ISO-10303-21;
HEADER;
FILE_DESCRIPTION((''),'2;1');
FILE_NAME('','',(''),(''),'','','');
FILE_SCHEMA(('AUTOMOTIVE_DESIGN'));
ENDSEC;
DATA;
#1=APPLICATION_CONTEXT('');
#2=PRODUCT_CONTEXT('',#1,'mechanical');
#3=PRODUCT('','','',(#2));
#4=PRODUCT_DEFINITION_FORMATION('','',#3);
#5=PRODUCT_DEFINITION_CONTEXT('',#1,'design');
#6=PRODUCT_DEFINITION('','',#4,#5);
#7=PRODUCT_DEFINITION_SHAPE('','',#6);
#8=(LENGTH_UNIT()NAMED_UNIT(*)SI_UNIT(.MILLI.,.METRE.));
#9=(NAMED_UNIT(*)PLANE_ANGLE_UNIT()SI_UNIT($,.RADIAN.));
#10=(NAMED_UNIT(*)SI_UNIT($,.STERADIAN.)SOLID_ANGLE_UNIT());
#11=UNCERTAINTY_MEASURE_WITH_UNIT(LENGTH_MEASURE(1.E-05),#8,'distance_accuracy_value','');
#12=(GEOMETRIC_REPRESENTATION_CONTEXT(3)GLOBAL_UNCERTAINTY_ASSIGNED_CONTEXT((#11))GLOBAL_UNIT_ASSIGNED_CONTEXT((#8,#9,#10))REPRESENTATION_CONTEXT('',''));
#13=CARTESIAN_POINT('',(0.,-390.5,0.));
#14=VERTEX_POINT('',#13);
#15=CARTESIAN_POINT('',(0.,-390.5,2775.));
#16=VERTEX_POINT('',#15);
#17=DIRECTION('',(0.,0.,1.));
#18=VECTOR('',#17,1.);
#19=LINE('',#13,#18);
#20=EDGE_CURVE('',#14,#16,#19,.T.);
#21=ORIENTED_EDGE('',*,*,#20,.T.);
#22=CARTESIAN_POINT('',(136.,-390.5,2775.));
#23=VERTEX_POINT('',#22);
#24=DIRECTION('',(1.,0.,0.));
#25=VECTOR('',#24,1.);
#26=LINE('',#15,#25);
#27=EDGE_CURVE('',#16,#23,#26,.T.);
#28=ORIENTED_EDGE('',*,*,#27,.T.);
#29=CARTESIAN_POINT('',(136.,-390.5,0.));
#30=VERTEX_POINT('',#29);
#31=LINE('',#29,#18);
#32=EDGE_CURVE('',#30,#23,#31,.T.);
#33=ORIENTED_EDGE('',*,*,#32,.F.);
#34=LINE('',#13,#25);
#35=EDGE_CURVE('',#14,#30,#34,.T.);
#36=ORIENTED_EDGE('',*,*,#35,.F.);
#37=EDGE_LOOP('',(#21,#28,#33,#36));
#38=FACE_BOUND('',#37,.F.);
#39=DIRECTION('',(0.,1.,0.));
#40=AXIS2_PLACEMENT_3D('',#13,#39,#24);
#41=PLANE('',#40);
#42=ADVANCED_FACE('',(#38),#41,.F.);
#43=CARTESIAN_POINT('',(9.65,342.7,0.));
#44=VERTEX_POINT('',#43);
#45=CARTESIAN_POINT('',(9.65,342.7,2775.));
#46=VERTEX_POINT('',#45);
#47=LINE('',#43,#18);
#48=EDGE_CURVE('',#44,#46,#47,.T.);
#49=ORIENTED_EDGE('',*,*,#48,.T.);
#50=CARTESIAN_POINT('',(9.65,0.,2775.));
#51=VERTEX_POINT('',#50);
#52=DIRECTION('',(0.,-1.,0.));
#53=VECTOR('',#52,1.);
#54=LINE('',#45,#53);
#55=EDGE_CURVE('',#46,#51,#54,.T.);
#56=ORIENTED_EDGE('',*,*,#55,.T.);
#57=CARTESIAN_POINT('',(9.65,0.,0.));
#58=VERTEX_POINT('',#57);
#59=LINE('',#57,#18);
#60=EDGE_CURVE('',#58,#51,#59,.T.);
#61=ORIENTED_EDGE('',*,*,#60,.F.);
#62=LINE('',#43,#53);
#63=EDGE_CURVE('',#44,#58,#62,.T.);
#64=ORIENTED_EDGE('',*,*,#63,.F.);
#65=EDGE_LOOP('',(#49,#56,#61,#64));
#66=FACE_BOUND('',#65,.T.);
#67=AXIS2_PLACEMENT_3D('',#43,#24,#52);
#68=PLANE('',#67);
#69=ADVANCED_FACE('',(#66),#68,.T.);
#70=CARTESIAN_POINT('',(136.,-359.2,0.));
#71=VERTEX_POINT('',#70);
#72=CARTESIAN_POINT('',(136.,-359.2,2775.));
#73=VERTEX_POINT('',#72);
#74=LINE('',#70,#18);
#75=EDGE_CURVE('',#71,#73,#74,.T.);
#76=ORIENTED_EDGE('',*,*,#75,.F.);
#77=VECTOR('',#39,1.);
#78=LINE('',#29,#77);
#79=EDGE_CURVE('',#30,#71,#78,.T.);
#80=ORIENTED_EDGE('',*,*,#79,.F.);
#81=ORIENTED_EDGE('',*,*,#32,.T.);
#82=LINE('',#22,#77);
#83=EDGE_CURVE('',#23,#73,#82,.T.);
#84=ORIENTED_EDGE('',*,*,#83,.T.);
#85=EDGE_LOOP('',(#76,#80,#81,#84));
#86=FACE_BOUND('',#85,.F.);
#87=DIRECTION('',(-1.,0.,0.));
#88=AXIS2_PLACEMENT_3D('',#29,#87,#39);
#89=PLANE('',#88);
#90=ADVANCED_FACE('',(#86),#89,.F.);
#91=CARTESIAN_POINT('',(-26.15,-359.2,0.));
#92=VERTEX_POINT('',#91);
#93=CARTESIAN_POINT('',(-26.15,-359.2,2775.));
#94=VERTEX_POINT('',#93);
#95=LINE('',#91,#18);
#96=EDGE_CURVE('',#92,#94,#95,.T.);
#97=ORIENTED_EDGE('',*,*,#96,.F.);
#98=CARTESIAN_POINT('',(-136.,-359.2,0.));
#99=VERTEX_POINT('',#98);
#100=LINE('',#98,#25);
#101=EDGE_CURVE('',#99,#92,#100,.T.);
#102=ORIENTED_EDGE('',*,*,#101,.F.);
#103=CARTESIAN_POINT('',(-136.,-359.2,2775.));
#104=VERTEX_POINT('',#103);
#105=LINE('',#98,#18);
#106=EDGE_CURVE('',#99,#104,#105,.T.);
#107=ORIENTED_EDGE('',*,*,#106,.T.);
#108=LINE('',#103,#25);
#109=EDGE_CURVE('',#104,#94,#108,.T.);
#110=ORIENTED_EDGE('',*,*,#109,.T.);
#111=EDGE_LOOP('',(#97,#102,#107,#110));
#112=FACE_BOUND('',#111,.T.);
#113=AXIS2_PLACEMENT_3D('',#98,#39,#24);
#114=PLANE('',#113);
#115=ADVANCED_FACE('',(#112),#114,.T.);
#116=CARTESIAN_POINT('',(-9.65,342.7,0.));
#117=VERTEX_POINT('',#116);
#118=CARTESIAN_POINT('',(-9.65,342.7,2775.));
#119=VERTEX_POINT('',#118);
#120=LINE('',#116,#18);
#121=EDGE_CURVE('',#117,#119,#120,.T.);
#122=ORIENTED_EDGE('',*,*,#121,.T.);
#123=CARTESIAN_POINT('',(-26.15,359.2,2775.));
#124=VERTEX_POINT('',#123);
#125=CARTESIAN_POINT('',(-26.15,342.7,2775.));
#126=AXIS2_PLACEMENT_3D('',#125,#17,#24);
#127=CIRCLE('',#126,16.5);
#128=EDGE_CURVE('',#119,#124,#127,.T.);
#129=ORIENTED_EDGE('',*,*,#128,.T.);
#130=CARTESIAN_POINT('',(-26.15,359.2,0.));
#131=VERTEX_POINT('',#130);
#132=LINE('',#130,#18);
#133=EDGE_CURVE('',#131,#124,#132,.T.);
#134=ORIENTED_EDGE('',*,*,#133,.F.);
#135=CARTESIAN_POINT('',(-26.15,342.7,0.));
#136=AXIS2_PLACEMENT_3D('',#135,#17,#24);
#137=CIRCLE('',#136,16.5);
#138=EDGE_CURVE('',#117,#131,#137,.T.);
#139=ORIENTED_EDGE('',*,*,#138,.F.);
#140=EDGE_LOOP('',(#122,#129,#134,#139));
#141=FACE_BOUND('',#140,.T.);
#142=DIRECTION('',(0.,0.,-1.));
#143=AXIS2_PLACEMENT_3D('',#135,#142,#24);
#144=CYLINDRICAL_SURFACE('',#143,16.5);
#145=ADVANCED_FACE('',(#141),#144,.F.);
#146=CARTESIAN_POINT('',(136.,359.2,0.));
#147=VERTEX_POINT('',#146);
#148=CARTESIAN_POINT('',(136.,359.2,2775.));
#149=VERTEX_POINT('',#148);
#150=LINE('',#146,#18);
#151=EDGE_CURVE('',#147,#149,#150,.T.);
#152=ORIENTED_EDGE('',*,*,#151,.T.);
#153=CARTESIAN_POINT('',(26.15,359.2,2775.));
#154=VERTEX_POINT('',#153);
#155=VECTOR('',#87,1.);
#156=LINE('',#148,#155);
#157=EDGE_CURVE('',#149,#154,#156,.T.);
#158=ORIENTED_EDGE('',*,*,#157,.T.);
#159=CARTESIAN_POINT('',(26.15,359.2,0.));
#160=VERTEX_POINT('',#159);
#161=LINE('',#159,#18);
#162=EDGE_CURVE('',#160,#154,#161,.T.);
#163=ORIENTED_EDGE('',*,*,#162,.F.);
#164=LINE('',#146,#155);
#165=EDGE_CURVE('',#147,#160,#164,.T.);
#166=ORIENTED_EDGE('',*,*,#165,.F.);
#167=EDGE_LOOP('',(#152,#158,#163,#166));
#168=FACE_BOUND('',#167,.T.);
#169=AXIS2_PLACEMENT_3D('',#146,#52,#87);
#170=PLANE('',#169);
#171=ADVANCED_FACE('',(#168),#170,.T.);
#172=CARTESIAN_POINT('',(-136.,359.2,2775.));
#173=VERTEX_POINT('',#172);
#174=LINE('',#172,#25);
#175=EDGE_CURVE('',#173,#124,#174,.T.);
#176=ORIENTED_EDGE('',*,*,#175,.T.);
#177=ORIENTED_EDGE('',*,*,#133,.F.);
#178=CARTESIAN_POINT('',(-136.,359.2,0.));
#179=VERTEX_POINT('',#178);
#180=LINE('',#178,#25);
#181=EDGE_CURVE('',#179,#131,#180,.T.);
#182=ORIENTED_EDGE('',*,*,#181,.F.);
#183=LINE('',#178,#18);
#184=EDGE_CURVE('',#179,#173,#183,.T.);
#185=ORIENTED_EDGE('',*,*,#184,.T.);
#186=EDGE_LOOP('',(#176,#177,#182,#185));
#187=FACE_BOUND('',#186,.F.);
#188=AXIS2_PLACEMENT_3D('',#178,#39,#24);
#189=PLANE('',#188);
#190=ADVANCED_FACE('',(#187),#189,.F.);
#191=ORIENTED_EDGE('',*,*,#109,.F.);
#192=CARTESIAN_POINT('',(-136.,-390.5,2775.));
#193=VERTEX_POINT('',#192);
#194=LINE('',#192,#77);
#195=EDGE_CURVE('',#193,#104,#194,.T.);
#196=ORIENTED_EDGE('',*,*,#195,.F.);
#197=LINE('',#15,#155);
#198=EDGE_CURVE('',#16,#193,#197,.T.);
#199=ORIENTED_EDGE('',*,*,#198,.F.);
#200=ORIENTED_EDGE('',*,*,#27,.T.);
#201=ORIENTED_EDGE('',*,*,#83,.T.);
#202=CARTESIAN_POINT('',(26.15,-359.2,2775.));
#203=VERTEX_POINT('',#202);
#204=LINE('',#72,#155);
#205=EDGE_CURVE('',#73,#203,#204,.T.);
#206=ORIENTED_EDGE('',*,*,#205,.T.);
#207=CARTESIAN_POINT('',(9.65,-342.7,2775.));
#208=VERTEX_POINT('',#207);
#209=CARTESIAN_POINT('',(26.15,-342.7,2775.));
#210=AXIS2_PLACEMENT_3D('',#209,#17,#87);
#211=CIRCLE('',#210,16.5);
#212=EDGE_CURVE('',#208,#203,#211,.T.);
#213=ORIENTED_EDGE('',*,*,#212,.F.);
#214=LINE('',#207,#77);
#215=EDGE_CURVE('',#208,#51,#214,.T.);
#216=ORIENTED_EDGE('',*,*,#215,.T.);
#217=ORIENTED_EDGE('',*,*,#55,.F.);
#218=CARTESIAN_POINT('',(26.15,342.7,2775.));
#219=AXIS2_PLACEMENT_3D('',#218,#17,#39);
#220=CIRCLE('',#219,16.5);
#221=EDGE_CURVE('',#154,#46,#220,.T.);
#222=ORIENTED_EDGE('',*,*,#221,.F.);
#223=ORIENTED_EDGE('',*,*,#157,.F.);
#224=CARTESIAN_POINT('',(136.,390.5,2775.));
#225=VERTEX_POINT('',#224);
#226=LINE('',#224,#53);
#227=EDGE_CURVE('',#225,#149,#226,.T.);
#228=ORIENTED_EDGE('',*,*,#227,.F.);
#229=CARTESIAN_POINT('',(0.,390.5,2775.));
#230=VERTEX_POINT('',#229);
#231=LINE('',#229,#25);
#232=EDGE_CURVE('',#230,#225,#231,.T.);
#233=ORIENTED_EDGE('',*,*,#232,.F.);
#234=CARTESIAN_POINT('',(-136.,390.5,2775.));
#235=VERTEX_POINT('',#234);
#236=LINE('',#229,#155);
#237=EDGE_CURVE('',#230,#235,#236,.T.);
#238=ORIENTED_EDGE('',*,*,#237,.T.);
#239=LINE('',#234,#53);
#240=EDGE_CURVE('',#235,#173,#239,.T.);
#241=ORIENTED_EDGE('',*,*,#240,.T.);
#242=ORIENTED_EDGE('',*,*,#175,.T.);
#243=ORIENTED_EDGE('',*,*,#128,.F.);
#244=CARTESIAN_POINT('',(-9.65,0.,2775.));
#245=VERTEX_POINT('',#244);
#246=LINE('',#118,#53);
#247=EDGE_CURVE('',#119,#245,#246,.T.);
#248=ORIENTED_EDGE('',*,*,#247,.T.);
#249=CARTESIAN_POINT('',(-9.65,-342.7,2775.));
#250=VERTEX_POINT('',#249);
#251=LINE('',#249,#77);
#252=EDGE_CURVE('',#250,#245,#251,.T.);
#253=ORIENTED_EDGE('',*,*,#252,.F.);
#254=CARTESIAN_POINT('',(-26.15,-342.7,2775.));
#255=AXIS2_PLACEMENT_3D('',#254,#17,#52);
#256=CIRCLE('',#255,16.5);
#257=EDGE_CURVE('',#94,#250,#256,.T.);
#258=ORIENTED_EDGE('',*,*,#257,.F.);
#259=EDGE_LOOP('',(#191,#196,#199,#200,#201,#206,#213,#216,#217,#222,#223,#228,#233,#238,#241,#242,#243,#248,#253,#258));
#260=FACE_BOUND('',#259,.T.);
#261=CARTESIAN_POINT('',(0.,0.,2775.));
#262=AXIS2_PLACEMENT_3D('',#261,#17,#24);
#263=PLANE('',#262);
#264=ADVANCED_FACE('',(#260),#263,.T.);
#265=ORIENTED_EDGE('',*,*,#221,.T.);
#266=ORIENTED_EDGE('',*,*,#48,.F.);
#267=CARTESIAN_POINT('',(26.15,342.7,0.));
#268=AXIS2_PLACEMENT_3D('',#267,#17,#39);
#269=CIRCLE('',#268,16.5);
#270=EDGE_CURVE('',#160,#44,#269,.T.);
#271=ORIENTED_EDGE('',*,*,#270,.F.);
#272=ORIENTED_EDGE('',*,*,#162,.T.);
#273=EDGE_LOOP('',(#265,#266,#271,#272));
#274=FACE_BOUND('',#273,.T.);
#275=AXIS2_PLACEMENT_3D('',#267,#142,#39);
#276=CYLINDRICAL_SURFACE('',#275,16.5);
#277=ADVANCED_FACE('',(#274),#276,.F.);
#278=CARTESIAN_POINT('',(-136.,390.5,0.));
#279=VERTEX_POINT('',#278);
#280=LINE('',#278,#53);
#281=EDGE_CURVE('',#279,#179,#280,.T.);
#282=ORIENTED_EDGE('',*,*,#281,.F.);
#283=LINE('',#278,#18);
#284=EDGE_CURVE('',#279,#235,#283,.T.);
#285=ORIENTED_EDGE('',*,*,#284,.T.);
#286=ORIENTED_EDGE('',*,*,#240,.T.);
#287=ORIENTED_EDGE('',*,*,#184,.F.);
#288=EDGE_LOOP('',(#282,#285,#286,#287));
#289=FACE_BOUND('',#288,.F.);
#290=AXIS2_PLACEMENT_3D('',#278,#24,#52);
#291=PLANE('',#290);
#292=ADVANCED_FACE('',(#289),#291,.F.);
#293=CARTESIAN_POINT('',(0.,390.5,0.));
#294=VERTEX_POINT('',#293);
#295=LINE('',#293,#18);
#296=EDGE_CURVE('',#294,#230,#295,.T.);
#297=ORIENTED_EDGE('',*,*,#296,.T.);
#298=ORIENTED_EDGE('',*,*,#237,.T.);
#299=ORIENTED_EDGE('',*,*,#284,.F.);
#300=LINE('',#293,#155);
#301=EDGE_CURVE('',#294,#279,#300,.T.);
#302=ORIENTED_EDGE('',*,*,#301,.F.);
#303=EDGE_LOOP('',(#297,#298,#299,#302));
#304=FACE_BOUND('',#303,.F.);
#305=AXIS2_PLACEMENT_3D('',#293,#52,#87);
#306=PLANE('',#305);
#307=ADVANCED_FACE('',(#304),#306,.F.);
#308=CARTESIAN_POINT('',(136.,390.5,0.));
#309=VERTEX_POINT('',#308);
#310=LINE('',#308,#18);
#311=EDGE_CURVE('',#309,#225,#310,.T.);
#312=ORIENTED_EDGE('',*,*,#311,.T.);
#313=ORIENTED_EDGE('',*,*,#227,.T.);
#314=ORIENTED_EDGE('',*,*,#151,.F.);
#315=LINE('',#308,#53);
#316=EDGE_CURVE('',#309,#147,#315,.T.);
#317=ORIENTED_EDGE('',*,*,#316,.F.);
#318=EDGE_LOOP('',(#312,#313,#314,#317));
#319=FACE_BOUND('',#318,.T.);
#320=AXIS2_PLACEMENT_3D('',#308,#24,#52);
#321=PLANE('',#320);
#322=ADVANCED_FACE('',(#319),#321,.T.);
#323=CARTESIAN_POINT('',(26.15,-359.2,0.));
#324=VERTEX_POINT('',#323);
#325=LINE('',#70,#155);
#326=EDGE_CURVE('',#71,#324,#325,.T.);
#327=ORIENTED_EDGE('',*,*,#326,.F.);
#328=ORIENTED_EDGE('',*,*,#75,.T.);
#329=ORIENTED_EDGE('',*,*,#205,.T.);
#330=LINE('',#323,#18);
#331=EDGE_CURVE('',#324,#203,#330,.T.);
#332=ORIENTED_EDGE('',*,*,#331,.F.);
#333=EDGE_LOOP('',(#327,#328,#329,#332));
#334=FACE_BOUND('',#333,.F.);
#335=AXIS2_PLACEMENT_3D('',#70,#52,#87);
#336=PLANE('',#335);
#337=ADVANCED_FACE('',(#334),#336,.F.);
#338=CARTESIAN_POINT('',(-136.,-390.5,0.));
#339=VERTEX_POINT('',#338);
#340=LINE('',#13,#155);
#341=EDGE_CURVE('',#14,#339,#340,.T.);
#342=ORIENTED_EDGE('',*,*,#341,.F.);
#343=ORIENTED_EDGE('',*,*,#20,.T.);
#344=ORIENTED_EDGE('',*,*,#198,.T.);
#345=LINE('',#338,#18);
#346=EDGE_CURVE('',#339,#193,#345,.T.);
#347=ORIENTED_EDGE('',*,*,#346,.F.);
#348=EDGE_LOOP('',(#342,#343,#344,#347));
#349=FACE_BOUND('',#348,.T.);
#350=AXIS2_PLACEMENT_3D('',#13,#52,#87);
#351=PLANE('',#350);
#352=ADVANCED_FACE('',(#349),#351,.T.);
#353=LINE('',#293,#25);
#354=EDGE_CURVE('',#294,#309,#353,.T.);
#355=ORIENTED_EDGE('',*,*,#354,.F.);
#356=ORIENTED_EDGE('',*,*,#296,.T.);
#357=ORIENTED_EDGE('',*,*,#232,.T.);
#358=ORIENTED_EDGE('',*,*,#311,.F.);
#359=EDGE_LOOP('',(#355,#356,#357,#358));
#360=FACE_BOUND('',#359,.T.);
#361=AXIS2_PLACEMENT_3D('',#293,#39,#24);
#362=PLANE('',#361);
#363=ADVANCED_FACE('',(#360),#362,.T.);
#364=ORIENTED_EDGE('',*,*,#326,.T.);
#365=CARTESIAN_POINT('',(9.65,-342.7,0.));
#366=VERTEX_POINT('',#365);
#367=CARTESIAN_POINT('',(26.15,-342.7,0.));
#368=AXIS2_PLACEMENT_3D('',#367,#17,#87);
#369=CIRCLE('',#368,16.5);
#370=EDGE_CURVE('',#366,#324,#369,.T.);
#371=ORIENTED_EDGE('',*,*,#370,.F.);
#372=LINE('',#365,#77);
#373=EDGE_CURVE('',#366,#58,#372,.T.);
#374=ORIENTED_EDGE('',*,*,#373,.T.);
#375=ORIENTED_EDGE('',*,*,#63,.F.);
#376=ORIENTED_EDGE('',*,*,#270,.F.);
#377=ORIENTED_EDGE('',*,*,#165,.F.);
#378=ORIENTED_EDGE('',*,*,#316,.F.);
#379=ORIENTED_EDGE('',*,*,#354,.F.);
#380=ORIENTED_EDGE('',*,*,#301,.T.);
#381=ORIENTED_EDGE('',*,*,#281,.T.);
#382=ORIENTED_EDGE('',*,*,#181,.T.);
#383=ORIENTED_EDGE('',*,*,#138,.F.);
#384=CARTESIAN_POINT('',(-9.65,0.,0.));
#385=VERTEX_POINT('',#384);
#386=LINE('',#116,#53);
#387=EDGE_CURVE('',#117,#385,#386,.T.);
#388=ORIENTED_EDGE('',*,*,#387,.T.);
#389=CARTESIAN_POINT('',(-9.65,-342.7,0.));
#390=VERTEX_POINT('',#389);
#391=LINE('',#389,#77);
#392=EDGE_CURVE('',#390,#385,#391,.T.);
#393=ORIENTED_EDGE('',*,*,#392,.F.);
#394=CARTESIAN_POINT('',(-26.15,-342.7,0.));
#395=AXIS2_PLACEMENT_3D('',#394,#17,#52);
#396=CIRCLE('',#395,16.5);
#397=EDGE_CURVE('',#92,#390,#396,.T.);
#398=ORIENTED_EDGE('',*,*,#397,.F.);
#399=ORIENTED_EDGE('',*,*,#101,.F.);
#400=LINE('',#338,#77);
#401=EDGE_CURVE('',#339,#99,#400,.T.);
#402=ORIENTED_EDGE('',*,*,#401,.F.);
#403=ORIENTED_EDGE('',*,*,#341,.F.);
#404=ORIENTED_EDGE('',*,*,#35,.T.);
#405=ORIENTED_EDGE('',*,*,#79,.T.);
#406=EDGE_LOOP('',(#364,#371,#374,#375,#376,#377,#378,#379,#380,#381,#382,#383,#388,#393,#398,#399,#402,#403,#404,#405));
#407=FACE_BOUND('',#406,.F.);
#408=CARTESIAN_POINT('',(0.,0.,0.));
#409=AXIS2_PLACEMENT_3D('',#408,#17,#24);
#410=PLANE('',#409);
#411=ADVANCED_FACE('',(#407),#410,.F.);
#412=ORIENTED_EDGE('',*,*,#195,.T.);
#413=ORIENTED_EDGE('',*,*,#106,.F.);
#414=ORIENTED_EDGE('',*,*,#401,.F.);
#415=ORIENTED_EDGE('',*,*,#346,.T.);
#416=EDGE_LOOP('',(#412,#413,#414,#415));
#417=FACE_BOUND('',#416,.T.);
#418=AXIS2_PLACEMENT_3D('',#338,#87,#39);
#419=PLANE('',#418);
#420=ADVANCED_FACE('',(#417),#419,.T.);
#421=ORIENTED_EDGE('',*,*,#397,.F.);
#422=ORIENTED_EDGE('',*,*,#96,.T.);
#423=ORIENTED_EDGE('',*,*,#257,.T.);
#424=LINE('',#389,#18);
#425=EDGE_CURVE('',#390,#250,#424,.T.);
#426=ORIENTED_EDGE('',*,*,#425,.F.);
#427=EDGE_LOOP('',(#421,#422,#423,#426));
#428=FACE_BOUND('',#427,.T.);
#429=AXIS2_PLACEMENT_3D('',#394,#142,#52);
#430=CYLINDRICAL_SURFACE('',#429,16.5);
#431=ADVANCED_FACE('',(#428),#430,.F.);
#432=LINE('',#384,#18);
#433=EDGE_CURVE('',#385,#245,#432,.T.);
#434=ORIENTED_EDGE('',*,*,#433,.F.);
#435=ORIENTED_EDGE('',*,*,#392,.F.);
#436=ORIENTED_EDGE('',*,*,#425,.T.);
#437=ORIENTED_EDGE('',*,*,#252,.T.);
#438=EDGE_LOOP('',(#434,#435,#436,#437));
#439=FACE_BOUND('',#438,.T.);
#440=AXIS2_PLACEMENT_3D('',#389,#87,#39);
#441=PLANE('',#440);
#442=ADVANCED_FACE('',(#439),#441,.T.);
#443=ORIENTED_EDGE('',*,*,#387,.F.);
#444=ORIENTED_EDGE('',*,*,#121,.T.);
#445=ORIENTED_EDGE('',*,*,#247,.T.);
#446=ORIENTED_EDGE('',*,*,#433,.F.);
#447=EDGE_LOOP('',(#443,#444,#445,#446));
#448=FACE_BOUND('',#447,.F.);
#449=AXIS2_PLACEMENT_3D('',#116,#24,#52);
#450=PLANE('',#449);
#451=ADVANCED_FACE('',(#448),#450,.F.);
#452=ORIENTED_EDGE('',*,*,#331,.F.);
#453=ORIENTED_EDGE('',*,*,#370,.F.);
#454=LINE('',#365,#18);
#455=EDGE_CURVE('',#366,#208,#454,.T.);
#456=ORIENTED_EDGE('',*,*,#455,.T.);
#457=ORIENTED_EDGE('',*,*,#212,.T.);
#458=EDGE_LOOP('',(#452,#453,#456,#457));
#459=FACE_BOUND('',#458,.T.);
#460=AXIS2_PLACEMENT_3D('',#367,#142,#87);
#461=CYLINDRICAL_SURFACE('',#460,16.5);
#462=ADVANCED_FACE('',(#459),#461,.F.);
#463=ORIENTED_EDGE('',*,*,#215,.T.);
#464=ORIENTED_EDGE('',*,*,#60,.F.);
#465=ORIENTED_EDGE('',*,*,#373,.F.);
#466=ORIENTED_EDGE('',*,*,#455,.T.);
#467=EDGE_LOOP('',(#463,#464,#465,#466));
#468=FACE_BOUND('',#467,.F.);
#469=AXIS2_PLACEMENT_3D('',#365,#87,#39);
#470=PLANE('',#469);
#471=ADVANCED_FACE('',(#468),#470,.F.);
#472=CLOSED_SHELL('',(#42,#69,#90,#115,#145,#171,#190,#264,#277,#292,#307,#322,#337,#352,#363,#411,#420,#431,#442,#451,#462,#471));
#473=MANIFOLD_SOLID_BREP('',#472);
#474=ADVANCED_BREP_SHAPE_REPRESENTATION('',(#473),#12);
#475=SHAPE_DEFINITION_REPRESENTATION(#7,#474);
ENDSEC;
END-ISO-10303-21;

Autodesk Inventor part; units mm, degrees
ref_plane "YZ Plane" through (0, 0, 0) normal (1, 0, 0) x (0, 1, 0)
ref_plane "Start plane" through (0, 0, 0) normal (0, 0, 1) x (1, 0, 0)
ref_plane "End plane" through (0, 0, 2775) normal (0, 0, 1) x (1, 0, 0)
sketch "Sketch" plane through (0, 0, 0) normal (0, 0, 1) x (1, 0, 0)
  line L0 (-136, -390.5) -> (-136, -359.2)
  line L1 (-136, -359.2) -> (-26.15, -359.2)
  line L2 (-9.65, -342.7) -> (-9.65, 0)
  line L3 (-9.65, 0) -> (0, 0) construction
  line L4 (0, 0) -> (0, -390.5) construction
  line L5 (0, -390.5) -> (-136, -390.5)
  line L6 (-60, 0) -> (80, 0) construction
  line L7 (0, -60) -> (0, 80) construction
  line L8 (136, -390.5) -> (136, -359.2)
  line L9 (136, -359.2) -> (26.15, -359.2)
  line L10 (9.65, -342.7) -> (9.65, 0)
  line L11 (9.65, 0) -> (0, 0) construction
  line L12 (0, -390.5) -> (136, -390.5)
  line L13 (-136, 390.5) -> (-136, 359.2)
  line L14 (-136, 359.2) -> (-26.15, 359.2)
  line L15 (-9.65, 342.7) -> (-9.65, 0)
  line L16 (0, 390.5) -> (-136, 390.5)
  line L17 (136, 390.5) -> (136, 359.2)
  line L18 (136, 359.2) -> (26.15, 359.2)
  line L19 (0, 390.5) -> (136, 390.5)
  line L20 (9.65, 342.7) -> (9.65, 0)
  arc A0 (-9.65, 342.7) -> (-26.15, 359.2) centre (-26.15, 342.7) ccw
  arc A1 (26.15, 359.2) -> (9.65, 342.7) centre (26.15, 342.7) ccw
  arc A2 (9.65, -342.7) -> (26.15, -359.2) centre (26.15, -342.7) ccw
  arc A3 (-26.15, -359.2) -> (-9.65, -342.7) centre (-26.15, -342.7) ccw
  line L21 (0, 108) -> (0, -88) construction
  line L22 (-88, 0) -> (108, 0) construction
  point P0 (-9.65, -359.2)
  point P1 (9.65, -359.2)
  point P2 (-9.65, 359.2)
  point P3 (9.65, 359.2)
  dimension "d1" = 390.5
  dimension "d2" = 31.3
  dimension "d3" = 136
  dimension "d4" = 9.65
  dimension "d10" = 16.5
extrude "Body" add sketch "Sketch" along normal up to surface (2775 mm away) from surface at 0
sketch "Sketch4" plane through (0, 0, 0) normal (0, 0, 1) x (1, 0, 0)
  line L0 (0, 0) -> (10, 0)
ref_plane "Work Plane3" through (0, 0, 0) normal (0, -1, 0) x (1, 0, 0)
sketch "Sketch5" plane through (0, 0, 0) normal (0, -1, 0) x (1, 0, 0)
  line L0 (-2, 0) -> (12, 0) projected
  line L1 (-2, 2775) -> (12, 2775) projected
  dimension "d14" = 2775
equation "\"d1\" = 0.5 * G_H"
equation "\"d2\" = G_T1"
equation "\"d3\" = 0.5 * G_W"
equation "\"d4\" = 0.5 * G_T"
equation "\"d10\" = G_IR"
equation "\"d5\" = G_L"
equation "\"G_W\" = 272"
equation "\"G_H\" = 781"
equation "\"G_T\" = 19.3"
equation "\"G_T1\" = 31.3"
equation "\"G_IR\" = 16.5"
equation "\"G_L\" = d14"
equation "\"G_OFFSET_START\" = 0"
equation "\"G_OFFSET_END\" = 0"
equation "\"d12\" = G_OFFSET_END + B_L"
equation "\"B_L\" = 2775"
properties part number "AS 3679-1990 - 760 UB - 244 - 2775" material "Steel, Mild"
